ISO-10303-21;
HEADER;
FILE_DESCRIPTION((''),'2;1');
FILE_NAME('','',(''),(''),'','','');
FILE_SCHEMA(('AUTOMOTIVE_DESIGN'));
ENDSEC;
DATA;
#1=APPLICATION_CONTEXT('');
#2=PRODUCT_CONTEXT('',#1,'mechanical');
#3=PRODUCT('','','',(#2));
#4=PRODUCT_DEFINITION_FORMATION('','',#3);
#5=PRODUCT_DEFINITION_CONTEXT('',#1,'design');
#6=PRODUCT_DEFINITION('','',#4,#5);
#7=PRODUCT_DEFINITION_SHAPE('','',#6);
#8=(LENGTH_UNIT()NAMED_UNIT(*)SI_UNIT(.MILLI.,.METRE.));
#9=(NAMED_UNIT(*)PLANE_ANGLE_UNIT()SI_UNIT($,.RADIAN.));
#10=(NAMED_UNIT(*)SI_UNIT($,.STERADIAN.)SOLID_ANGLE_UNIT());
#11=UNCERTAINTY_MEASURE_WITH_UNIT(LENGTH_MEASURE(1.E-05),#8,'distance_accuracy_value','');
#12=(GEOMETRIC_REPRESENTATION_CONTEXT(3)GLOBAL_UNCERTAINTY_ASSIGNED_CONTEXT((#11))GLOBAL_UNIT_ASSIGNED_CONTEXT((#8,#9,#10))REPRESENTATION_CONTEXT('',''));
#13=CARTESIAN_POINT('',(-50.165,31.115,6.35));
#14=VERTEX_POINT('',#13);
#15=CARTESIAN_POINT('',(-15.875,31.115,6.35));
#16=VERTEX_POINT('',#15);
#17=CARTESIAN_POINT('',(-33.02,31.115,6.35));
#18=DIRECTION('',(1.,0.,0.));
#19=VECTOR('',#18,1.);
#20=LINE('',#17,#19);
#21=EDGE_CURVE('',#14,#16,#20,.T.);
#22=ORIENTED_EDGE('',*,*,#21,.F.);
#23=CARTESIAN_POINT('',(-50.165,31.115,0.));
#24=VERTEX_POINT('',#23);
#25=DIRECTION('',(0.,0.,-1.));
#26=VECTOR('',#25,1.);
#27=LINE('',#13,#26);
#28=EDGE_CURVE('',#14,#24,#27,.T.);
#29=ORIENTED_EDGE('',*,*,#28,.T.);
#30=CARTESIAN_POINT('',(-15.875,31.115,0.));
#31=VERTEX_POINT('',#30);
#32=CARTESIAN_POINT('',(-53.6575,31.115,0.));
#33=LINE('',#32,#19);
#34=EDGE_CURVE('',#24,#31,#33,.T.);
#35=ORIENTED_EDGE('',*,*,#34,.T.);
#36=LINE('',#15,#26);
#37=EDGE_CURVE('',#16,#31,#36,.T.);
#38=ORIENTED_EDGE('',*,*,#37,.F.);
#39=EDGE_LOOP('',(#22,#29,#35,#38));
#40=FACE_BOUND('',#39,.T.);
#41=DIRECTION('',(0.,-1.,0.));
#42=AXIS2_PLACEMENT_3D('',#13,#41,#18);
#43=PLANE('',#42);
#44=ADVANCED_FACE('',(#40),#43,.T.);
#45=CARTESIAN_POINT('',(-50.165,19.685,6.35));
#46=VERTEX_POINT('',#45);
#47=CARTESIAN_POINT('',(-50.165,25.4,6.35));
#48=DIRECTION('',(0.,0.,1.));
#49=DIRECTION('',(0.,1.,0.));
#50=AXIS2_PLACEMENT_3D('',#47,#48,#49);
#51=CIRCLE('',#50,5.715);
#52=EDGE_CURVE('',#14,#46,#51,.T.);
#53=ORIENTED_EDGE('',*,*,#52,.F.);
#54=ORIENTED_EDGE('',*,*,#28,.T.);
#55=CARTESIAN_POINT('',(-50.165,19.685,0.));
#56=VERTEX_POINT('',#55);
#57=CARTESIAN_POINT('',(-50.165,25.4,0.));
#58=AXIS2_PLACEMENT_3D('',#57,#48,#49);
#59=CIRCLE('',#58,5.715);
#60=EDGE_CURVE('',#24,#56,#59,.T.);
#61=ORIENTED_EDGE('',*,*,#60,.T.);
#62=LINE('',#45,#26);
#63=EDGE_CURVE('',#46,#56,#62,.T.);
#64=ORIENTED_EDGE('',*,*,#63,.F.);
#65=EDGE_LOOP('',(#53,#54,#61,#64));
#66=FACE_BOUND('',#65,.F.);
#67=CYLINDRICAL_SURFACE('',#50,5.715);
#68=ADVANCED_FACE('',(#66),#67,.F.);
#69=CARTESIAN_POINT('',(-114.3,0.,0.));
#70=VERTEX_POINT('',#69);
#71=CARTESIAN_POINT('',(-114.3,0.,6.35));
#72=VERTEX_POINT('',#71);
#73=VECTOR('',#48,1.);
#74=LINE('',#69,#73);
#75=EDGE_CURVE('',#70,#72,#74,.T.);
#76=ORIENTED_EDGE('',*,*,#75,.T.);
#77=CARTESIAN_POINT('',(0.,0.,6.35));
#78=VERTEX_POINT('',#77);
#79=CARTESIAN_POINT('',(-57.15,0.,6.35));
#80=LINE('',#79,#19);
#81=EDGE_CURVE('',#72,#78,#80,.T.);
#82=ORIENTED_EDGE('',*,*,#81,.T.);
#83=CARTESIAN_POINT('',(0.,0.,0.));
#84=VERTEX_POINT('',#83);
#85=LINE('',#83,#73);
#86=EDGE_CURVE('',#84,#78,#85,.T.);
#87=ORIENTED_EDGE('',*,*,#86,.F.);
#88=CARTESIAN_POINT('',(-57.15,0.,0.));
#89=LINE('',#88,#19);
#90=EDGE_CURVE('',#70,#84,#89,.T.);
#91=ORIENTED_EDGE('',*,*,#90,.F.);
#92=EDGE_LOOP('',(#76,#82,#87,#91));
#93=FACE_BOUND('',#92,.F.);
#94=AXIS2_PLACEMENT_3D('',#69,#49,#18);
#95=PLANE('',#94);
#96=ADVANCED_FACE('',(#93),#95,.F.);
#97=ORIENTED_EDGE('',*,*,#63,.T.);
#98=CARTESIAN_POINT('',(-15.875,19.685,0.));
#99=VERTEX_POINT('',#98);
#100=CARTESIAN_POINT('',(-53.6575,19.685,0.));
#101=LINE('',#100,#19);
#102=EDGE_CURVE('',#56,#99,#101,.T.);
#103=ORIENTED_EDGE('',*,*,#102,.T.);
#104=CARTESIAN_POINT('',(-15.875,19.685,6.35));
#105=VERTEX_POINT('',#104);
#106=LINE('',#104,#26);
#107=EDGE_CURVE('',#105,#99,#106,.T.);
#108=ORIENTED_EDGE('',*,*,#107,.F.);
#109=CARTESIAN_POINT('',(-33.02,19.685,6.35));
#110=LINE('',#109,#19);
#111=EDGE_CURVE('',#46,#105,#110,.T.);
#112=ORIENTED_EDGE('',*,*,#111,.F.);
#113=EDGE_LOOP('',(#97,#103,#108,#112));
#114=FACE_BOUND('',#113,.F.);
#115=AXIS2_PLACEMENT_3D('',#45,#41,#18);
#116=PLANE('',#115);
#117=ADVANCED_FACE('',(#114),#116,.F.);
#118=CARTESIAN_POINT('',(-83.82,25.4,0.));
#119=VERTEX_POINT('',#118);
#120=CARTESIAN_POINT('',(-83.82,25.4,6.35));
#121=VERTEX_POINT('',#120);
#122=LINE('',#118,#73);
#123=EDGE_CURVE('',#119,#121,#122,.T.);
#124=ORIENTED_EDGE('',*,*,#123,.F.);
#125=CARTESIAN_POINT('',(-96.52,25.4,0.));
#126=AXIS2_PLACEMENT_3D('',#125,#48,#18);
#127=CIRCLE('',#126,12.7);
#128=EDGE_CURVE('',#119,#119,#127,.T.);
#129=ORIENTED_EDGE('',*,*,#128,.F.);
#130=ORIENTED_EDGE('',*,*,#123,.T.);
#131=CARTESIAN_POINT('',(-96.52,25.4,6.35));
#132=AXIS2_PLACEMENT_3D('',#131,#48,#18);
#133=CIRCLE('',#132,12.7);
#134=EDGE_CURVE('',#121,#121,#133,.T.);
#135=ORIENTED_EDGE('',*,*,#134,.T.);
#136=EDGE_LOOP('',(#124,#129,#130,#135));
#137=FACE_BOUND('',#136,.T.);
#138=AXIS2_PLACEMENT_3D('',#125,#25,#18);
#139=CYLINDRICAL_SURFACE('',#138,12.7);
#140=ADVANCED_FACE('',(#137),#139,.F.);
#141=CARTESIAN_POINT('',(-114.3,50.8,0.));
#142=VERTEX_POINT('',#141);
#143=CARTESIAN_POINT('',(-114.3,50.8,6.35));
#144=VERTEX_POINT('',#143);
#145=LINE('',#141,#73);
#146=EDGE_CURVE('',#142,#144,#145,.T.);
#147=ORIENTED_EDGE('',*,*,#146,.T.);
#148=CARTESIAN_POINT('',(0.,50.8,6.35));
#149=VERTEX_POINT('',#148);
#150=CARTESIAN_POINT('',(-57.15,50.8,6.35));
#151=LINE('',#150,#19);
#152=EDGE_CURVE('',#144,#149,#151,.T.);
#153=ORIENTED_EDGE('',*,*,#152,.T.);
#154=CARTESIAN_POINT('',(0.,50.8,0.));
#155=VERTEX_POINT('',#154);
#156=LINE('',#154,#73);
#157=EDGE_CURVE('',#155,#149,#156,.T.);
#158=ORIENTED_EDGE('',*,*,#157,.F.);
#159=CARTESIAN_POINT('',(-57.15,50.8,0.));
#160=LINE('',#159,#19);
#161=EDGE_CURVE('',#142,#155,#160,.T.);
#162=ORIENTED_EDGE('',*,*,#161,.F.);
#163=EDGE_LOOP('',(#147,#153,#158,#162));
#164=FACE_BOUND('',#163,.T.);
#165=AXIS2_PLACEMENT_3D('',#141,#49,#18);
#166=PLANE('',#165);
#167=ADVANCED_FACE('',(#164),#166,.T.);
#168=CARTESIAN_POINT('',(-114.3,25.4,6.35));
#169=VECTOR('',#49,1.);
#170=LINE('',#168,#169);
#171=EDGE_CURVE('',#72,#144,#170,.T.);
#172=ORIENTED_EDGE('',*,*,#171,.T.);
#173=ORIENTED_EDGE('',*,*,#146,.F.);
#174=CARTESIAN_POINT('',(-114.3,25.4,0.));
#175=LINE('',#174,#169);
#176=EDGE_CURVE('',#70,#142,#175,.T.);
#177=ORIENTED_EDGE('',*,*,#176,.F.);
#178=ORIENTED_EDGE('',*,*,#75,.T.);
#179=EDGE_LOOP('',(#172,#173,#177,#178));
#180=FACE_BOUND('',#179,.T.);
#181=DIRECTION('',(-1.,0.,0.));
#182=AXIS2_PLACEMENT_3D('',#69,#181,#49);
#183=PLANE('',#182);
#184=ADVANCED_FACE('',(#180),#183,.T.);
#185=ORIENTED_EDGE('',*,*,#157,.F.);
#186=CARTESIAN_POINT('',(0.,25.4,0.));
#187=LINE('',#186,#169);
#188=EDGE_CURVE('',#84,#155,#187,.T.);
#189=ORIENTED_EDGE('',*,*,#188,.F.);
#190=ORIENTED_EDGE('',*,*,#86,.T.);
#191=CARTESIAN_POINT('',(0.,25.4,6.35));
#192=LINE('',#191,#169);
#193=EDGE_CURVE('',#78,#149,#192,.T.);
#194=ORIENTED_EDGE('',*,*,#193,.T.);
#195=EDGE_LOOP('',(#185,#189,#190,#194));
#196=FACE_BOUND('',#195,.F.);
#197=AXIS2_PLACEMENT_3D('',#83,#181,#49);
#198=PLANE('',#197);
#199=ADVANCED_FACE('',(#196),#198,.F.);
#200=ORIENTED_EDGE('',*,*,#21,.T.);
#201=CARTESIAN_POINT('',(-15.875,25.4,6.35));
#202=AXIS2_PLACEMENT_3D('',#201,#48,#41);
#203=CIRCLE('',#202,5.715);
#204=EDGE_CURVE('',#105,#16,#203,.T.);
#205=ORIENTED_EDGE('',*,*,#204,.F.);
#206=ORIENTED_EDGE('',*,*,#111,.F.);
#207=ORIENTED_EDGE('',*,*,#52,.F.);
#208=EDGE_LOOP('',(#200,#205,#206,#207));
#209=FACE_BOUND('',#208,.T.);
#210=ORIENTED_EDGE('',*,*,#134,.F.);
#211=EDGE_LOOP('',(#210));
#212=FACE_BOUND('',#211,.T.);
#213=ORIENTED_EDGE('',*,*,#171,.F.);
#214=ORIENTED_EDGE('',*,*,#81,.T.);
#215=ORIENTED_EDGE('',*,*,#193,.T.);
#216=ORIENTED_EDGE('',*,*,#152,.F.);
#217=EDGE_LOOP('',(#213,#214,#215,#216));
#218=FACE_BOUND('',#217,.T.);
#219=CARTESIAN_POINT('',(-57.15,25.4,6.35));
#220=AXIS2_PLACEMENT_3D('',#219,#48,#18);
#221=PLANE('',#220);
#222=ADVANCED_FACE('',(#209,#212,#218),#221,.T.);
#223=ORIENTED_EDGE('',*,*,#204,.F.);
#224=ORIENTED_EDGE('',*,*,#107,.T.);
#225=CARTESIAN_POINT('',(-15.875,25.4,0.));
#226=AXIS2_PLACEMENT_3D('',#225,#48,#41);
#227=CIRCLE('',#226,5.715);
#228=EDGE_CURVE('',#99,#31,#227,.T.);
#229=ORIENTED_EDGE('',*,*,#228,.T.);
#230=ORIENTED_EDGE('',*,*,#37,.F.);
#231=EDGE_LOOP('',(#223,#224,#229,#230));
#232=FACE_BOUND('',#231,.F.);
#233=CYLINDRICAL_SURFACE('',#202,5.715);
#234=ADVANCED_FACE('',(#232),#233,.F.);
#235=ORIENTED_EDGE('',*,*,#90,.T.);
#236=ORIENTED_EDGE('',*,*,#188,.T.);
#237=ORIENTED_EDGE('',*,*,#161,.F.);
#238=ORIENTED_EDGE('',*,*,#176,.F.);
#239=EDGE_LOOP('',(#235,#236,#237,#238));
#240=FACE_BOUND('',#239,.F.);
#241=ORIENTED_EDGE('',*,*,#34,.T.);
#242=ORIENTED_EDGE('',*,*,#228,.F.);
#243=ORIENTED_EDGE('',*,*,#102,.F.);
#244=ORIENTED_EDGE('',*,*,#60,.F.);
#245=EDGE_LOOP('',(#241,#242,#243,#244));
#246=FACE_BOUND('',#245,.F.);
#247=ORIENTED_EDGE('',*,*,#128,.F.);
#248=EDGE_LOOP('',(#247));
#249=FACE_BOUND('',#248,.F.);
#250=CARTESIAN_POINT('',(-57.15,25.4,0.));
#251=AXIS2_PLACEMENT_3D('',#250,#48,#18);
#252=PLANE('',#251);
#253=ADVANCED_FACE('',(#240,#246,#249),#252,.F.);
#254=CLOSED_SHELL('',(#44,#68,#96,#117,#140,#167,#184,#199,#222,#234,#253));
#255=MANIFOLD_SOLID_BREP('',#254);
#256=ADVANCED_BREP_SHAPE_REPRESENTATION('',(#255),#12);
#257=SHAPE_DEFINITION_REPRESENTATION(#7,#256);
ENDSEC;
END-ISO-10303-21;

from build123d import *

# Parameters (mm, degrees)
F0_W     = 114.3
F0_H     = 50.8
F0_R     = 12.7
F1_DEPTH = 6.35
F2_W     = 34.29
F2_H     = 11.43
F3_DEPTH = 25.4


with BuildPart() as f1:
    # F0 (on Top) → F1 (new body)
    with BuildSketch(Plane.XY):
        with Locations((-57.15, 25.4)):
            Rectangle(F0_W, F0_H)
        with Locations((-96.52, 25.4)):
            Circle(F0_R, mode=Mode.SUBTRACT)
    extrude(amount=F1_DEPTH)

    # F2 (on face) → F3 (cut)
    with BuildSketch(Plane.XY.offset(6.35)):
        with Locations((-33.02, 25.4)):
            Rectangle(F2_W, F2_H)
        with BuildLine():
            Line((-50.165, 19.685), (-50.165, 31.115))
            ThreePointArc((-50.165, 31.115), (-55.88, 25.4), (-50.165, 19.685))
        make_face()
        with BuildLine():
            ThreePointArc((-15.875, 19.685), (-10.16, 25.4), (-15.875, 31.115))
            Line((-15.875, 31.115), (-15.875, 19.685))
        make_face()
    extrude(amount=-F3_DEPTH, mode=Mode.SUBTRACT)


solid = f1.part
